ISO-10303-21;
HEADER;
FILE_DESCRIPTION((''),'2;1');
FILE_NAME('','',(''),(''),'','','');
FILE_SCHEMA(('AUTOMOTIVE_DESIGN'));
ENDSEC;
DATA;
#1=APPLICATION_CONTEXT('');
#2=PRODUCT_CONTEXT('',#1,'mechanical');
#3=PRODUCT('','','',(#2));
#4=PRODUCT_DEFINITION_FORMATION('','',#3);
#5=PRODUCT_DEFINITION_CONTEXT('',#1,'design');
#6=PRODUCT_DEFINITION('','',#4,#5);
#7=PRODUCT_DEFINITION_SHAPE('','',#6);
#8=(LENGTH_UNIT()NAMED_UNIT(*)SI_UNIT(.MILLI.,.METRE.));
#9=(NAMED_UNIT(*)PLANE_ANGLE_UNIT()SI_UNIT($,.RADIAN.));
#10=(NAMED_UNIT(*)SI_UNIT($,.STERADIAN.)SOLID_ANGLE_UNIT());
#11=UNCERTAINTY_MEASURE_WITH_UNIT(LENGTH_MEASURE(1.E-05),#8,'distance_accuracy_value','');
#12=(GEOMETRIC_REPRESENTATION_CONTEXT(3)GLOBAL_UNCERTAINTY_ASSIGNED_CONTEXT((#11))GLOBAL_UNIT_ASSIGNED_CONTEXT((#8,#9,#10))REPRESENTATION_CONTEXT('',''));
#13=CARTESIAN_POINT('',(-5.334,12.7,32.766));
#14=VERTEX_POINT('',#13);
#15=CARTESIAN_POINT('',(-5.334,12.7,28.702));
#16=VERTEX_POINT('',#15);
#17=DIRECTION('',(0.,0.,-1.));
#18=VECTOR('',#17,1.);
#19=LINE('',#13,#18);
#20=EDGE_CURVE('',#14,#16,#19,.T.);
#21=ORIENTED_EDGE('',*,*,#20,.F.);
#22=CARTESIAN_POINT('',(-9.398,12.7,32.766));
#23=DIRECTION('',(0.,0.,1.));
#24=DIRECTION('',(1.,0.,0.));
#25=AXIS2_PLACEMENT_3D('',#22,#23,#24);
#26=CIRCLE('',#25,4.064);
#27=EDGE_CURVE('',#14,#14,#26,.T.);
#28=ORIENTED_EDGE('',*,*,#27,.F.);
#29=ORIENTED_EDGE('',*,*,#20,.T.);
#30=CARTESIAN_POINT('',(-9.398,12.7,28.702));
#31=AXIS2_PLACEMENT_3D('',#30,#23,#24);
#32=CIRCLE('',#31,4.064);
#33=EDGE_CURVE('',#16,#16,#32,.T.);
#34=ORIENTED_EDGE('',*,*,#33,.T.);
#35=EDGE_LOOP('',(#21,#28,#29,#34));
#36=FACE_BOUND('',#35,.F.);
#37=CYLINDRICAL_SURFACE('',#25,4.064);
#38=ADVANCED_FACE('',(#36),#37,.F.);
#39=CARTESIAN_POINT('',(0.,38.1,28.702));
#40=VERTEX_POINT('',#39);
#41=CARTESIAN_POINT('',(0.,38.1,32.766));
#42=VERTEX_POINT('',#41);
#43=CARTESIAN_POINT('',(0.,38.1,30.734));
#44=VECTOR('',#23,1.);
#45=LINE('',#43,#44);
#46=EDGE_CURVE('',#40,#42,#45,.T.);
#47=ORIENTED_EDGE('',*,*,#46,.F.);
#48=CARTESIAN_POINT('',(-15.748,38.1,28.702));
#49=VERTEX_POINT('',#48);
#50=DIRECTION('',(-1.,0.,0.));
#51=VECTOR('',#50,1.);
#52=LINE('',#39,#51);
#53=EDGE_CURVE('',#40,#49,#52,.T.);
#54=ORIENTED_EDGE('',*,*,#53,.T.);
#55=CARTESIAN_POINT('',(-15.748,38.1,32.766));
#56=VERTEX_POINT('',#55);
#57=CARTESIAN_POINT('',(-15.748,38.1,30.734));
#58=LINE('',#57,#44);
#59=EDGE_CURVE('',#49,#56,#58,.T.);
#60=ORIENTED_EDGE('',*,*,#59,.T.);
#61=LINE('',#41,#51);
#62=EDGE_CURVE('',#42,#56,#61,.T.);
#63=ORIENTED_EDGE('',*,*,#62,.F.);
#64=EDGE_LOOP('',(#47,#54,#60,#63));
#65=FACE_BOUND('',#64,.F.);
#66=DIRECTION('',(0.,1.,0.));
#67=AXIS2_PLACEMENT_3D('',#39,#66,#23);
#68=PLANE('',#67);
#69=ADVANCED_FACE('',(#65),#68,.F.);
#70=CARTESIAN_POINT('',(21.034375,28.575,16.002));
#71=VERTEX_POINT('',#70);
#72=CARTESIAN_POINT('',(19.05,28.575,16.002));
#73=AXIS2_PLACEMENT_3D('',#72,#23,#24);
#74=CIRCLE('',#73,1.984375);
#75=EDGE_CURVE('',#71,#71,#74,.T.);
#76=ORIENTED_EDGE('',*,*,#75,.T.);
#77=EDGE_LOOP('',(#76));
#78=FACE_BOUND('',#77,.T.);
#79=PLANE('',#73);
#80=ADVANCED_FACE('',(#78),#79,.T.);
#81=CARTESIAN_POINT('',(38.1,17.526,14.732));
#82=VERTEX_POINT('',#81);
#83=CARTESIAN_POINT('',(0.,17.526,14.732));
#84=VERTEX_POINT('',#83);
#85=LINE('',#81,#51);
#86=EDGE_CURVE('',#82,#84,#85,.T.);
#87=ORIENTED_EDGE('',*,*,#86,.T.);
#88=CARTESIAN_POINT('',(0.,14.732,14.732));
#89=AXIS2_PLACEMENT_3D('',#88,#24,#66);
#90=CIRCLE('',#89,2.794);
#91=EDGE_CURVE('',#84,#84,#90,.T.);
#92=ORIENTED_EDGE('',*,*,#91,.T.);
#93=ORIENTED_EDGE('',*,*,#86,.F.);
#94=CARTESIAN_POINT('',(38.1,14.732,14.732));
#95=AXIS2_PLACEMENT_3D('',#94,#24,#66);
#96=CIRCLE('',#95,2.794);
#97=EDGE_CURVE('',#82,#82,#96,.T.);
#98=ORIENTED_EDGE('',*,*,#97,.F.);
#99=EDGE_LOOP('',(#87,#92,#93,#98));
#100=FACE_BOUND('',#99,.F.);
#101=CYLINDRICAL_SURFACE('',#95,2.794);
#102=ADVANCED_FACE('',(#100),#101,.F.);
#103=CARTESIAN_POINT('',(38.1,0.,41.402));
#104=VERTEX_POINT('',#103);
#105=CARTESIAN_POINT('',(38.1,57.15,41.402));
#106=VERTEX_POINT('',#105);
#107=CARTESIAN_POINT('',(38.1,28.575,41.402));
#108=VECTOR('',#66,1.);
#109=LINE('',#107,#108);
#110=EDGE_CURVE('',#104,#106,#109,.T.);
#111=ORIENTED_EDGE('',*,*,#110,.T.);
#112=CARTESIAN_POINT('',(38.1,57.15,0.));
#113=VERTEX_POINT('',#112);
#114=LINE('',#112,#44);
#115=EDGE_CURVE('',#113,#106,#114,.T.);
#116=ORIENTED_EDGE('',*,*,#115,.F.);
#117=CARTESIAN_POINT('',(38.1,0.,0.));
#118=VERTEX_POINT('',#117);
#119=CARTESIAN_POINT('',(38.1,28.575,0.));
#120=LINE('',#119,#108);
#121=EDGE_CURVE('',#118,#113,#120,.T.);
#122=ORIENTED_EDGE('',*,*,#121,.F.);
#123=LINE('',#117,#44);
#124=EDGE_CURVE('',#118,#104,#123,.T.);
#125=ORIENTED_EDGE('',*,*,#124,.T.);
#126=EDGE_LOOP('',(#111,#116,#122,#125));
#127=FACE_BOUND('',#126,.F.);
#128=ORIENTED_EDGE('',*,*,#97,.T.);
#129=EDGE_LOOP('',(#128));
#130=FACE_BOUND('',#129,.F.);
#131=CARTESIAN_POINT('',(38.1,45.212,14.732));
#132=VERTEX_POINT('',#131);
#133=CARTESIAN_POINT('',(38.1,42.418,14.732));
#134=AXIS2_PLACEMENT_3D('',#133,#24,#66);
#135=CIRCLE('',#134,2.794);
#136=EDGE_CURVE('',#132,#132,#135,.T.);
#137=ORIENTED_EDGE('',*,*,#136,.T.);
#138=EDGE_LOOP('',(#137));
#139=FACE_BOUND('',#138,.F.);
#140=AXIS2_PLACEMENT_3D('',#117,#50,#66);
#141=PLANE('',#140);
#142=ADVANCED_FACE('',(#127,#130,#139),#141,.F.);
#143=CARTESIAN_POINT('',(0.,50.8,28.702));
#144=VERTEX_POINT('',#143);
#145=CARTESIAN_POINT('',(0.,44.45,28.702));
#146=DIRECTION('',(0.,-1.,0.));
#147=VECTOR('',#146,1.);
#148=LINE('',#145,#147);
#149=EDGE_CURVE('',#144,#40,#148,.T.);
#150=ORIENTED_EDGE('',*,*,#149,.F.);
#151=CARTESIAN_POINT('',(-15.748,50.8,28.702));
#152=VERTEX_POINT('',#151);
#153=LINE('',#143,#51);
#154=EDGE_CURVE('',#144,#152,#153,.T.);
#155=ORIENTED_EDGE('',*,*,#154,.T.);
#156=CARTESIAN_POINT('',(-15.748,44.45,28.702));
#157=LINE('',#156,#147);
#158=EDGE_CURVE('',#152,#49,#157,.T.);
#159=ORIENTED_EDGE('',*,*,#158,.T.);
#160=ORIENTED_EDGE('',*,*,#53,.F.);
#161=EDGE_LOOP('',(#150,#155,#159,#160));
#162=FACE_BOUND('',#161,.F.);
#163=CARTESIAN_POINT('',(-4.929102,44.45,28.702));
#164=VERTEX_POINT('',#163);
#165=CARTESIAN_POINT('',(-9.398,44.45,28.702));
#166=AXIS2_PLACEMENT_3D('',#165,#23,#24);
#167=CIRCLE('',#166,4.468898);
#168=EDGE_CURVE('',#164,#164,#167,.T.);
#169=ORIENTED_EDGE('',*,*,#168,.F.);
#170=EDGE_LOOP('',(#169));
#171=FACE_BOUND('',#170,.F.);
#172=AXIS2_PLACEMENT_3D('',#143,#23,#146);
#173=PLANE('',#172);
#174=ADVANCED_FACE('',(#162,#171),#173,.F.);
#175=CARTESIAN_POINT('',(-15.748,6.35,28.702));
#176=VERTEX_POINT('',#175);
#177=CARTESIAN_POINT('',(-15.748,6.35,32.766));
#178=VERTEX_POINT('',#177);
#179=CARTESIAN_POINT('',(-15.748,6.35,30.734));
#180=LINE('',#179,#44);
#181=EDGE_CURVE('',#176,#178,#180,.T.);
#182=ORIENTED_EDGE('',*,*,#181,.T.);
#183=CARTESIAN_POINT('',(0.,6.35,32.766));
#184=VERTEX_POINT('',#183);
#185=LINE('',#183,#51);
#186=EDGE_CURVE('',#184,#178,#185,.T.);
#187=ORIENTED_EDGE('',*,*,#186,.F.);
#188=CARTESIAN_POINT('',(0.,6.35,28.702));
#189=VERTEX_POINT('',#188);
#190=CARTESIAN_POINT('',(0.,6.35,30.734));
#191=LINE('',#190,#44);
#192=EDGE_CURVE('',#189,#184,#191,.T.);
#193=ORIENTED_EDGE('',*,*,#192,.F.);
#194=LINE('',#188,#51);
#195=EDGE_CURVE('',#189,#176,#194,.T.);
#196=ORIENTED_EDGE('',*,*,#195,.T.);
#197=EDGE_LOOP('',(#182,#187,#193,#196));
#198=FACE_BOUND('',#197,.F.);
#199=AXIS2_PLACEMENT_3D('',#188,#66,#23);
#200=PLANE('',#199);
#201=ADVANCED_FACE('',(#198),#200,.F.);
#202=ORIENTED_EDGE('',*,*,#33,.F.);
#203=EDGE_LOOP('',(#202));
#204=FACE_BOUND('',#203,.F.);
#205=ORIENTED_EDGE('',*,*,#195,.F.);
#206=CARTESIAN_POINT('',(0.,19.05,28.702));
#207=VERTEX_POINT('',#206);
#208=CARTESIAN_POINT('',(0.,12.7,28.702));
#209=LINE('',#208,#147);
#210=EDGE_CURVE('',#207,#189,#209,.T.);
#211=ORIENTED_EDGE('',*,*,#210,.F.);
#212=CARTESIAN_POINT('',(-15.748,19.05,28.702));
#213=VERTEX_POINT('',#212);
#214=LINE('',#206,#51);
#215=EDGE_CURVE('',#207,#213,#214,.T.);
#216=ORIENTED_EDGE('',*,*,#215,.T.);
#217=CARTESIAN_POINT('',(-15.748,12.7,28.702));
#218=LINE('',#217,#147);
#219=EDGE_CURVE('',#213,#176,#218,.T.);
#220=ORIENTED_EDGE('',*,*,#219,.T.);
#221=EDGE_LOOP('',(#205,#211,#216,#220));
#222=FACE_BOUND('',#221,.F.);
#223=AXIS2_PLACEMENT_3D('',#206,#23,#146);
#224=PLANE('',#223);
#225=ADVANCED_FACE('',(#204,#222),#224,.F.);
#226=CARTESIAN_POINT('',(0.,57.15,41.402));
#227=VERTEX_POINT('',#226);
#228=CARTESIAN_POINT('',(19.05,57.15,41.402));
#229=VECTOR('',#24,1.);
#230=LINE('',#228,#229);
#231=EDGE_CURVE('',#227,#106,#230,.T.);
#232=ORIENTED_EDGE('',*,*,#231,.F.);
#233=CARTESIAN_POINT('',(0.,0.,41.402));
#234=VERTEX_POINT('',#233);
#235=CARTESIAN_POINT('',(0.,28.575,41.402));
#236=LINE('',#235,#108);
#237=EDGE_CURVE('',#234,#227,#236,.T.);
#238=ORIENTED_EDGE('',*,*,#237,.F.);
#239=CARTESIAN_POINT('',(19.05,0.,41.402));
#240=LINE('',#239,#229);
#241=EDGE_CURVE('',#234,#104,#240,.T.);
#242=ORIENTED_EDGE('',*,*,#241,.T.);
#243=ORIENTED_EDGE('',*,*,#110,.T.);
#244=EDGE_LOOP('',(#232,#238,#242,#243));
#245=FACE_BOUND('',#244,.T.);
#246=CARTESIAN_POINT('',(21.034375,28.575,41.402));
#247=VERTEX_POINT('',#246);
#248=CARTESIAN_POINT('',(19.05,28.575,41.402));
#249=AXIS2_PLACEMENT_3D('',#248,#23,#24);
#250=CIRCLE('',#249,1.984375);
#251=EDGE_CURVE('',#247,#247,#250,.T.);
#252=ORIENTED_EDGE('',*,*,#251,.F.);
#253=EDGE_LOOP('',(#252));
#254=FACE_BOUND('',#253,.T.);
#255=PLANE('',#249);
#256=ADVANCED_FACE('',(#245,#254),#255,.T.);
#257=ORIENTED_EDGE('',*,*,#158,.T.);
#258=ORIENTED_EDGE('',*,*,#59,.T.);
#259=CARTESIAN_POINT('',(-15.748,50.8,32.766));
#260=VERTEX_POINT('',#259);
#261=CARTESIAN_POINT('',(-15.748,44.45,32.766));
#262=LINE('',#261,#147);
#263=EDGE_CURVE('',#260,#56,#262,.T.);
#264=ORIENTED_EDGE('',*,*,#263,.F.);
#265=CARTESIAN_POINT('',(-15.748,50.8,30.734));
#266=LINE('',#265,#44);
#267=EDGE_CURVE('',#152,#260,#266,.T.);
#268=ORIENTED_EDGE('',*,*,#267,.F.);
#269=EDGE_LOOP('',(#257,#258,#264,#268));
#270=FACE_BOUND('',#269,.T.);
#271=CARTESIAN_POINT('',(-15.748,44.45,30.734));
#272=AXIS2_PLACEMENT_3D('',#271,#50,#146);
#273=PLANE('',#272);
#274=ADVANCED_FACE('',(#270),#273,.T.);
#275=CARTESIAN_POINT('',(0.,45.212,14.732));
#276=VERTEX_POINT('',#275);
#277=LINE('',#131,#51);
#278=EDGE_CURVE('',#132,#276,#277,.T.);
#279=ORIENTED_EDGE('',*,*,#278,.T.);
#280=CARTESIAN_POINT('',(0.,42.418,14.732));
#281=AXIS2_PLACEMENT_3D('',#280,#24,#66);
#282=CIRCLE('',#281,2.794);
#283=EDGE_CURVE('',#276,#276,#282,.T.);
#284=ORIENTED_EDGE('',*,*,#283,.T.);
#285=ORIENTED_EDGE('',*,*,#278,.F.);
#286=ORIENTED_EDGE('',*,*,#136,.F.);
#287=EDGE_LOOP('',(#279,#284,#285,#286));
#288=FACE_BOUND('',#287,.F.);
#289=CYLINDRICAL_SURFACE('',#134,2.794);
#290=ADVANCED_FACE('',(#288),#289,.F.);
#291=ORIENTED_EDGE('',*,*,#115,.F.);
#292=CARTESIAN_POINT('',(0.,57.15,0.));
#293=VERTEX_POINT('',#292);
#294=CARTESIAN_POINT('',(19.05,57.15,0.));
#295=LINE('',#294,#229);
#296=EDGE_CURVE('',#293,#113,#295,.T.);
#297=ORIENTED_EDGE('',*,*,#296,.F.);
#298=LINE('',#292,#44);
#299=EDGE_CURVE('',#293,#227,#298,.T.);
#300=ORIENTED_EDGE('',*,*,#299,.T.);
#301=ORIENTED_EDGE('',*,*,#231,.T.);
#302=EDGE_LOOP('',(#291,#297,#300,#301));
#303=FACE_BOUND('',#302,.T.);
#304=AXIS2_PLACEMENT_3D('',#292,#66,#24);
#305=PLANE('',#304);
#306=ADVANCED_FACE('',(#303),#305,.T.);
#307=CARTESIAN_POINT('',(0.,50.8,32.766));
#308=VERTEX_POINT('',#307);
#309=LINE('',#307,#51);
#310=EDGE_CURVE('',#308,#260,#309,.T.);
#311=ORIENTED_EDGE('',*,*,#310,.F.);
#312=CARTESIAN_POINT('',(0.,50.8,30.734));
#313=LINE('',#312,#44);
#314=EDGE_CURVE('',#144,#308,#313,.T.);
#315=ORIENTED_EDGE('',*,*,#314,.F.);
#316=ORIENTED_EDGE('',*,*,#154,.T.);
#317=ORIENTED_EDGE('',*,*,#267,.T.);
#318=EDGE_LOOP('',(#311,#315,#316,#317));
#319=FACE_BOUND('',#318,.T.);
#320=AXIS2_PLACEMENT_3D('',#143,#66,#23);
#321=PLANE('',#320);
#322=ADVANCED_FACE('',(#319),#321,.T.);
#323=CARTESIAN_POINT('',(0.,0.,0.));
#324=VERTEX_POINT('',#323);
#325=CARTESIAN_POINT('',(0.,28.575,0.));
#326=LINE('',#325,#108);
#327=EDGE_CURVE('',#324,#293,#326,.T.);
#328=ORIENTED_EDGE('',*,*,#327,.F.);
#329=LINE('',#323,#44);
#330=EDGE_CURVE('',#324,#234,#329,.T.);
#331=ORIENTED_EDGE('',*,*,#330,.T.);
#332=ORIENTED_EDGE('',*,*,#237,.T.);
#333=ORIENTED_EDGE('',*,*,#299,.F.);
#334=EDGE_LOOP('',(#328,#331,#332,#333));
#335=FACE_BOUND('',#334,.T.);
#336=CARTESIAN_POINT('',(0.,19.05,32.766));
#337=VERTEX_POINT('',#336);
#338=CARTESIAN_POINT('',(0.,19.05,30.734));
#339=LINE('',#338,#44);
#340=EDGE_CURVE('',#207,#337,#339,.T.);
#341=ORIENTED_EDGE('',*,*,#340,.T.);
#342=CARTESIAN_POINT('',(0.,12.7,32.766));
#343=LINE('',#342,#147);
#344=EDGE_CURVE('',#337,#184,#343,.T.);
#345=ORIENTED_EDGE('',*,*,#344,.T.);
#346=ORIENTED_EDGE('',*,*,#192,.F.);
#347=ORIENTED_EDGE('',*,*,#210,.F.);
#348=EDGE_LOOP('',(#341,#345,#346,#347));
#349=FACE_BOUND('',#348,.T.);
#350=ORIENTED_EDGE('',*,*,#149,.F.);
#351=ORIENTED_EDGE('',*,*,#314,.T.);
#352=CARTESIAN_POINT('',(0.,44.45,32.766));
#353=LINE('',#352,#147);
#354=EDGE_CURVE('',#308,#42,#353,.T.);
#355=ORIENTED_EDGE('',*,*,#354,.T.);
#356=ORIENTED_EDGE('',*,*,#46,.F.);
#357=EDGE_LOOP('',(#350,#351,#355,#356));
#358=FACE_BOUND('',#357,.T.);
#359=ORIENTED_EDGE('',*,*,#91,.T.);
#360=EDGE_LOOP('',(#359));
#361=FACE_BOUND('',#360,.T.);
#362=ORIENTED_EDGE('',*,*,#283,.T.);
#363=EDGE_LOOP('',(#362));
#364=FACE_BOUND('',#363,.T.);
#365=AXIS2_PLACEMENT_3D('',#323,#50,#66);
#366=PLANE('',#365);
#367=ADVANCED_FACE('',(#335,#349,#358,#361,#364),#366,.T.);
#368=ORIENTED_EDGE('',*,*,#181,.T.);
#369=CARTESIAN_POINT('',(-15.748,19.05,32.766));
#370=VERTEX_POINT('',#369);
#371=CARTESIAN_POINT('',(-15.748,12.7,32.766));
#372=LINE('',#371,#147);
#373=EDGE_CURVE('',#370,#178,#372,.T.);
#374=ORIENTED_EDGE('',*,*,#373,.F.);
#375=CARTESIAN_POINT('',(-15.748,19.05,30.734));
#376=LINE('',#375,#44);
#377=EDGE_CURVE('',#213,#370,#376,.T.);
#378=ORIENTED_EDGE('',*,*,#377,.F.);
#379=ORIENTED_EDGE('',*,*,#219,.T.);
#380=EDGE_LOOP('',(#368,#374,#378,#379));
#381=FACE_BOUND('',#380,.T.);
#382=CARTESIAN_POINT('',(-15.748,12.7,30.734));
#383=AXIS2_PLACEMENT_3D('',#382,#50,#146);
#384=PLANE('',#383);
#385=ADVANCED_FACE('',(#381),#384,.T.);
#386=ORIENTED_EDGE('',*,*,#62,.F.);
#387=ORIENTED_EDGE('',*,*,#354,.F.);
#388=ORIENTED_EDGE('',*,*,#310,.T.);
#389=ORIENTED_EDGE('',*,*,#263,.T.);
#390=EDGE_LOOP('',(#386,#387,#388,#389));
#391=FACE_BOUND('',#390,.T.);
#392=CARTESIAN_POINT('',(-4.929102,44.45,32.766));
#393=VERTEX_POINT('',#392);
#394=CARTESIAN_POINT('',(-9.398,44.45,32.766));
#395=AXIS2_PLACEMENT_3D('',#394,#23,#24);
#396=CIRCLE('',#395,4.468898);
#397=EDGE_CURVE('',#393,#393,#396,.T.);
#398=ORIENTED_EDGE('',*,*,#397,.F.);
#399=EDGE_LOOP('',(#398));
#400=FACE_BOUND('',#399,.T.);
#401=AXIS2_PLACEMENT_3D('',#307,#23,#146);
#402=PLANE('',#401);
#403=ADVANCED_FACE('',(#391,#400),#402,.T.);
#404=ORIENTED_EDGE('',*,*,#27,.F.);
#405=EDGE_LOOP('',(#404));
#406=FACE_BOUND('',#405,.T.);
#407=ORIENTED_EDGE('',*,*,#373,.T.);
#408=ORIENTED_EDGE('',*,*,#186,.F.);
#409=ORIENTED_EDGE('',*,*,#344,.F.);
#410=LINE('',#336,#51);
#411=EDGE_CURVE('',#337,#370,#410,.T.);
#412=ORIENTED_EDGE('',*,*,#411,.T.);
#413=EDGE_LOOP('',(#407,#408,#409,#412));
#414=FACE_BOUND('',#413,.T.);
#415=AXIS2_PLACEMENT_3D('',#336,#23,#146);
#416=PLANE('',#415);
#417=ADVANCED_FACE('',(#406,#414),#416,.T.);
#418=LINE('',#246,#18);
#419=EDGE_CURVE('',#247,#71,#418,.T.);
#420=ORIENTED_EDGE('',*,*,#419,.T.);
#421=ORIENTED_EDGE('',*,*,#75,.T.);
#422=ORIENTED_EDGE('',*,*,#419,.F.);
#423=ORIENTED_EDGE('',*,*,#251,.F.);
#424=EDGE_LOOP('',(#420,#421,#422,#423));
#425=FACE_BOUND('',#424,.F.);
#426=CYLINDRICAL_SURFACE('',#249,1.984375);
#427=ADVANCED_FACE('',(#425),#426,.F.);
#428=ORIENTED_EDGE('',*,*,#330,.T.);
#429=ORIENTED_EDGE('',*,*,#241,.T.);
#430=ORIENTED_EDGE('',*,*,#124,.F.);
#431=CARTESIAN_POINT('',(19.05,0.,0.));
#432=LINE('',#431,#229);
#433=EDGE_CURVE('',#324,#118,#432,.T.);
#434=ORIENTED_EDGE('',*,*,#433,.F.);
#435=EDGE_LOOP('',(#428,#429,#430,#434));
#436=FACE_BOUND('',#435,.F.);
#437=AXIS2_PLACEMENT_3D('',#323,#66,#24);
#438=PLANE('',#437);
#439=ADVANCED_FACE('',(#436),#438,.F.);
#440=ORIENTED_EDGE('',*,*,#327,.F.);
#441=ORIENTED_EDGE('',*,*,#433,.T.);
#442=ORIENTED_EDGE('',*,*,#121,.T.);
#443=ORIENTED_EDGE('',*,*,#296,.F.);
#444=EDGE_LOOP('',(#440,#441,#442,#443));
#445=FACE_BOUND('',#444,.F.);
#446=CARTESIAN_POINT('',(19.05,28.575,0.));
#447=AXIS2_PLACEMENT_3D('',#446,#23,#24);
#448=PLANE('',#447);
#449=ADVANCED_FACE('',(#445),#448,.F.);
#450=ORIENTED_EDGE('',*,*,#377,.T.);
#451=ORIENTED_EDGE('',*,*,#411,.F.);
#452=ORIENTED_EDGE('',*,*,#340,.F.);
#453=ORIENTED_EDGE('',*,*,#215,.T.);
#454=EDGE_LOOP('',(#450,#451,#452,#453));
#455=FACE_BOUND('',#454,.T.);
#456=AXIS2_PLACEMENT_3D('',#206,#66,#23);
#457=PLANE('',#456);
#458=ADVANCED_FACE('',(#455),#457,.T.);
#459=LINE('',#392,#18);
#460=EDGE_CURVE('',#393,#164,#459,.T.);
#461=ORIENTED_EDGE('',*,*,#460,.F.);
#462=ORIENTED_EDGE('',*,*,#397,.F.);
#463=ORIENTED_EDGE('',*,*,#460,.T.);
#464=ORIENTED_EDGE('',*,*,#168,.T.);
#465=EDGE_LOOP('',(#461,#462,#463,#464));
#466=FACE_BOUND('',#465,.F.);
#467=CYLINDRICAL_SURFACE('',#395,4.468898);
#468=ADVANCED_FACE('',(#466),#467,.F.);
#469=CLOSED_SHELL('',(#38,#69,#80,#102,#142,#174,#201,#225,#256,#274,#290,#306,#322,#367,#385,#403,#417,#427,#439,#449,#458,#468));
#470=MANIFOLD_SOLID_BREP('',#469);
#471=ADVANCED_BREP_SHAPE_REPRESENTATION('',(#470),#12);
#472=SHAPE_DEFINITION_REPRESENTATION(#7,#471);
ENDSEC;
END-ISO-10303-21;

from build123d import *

# Parameters (mm, degrees)
F0_W     = 38.1
F0_H     = 57.15
F1_DEPTH = 41.402
F2_R     = 2.794
F3_DEPTH = 38.101
F4_R     = 1.984375
F5_DEPTH = 25.4
F6_W     = 12.7
F6_H     = 4.064
F7_DEPTH = 15.748
F8_R     = 4.468898
F8_R_2   = 4.064
F9_DEPTH = 32.767


with BuildPart() as f1:
    # F0 (on Top) → F1 (new body)
    with BuildSketch(Plane.XY):
        with Locations((19.05, 28.575)):
            Rectangle(F0_W, F0_H)
    extrude(amount=F1_DEPTH)

    # F2 (on face) → F3 (cut, through all)
    with BuildSketch(Plane.YZ.offset(38.1)):
        with Locations((14.732, 14.732)):
            Circle(F2_R)
        with Locations((42.418, 14.732)):
            Circle(F2_R)
    extrude(amount=-F3_DEPTH, mode=Mode.SUBTRACT)

    # F4 (on face) → F5 (cut)
    with BuildSketch(Plane.XY.offset(41.402)):
        with Locations((19.05, 28.575)):
            Circle(F4_R)
    extrude(amount=-F5_DEPTH, mode=Mode.SUBTRACT)

    # F6 (on face) → F7 (join)
    with BuildSketch(Plane(origin=(0, 0, 0), x_dir=(0, -1, 0), z_dir=(-1, 0, 0))):
        with Locations((-44.45, 30.734)):
            Rectangle(F6_W, F6_H)
        with Locations((-12.7, 30.734)):
            Rectangle(F6_W, F6_H)
    extrude(amount=F7_DEPTH)

    # F8 (on face) → F9 (cut, through all)
    with BuildSketch(Plane.XY.offset(32.766)):
        with Locations((-9.398, 44.45)):
            Circle(F8_R)
        with Locations((-9.398, 12.7)):
            Circle(F8_R_2)
    extrude(amount=-F9_DEPTH, mode=Mode.SUBTRACT)


solid = f1.part
